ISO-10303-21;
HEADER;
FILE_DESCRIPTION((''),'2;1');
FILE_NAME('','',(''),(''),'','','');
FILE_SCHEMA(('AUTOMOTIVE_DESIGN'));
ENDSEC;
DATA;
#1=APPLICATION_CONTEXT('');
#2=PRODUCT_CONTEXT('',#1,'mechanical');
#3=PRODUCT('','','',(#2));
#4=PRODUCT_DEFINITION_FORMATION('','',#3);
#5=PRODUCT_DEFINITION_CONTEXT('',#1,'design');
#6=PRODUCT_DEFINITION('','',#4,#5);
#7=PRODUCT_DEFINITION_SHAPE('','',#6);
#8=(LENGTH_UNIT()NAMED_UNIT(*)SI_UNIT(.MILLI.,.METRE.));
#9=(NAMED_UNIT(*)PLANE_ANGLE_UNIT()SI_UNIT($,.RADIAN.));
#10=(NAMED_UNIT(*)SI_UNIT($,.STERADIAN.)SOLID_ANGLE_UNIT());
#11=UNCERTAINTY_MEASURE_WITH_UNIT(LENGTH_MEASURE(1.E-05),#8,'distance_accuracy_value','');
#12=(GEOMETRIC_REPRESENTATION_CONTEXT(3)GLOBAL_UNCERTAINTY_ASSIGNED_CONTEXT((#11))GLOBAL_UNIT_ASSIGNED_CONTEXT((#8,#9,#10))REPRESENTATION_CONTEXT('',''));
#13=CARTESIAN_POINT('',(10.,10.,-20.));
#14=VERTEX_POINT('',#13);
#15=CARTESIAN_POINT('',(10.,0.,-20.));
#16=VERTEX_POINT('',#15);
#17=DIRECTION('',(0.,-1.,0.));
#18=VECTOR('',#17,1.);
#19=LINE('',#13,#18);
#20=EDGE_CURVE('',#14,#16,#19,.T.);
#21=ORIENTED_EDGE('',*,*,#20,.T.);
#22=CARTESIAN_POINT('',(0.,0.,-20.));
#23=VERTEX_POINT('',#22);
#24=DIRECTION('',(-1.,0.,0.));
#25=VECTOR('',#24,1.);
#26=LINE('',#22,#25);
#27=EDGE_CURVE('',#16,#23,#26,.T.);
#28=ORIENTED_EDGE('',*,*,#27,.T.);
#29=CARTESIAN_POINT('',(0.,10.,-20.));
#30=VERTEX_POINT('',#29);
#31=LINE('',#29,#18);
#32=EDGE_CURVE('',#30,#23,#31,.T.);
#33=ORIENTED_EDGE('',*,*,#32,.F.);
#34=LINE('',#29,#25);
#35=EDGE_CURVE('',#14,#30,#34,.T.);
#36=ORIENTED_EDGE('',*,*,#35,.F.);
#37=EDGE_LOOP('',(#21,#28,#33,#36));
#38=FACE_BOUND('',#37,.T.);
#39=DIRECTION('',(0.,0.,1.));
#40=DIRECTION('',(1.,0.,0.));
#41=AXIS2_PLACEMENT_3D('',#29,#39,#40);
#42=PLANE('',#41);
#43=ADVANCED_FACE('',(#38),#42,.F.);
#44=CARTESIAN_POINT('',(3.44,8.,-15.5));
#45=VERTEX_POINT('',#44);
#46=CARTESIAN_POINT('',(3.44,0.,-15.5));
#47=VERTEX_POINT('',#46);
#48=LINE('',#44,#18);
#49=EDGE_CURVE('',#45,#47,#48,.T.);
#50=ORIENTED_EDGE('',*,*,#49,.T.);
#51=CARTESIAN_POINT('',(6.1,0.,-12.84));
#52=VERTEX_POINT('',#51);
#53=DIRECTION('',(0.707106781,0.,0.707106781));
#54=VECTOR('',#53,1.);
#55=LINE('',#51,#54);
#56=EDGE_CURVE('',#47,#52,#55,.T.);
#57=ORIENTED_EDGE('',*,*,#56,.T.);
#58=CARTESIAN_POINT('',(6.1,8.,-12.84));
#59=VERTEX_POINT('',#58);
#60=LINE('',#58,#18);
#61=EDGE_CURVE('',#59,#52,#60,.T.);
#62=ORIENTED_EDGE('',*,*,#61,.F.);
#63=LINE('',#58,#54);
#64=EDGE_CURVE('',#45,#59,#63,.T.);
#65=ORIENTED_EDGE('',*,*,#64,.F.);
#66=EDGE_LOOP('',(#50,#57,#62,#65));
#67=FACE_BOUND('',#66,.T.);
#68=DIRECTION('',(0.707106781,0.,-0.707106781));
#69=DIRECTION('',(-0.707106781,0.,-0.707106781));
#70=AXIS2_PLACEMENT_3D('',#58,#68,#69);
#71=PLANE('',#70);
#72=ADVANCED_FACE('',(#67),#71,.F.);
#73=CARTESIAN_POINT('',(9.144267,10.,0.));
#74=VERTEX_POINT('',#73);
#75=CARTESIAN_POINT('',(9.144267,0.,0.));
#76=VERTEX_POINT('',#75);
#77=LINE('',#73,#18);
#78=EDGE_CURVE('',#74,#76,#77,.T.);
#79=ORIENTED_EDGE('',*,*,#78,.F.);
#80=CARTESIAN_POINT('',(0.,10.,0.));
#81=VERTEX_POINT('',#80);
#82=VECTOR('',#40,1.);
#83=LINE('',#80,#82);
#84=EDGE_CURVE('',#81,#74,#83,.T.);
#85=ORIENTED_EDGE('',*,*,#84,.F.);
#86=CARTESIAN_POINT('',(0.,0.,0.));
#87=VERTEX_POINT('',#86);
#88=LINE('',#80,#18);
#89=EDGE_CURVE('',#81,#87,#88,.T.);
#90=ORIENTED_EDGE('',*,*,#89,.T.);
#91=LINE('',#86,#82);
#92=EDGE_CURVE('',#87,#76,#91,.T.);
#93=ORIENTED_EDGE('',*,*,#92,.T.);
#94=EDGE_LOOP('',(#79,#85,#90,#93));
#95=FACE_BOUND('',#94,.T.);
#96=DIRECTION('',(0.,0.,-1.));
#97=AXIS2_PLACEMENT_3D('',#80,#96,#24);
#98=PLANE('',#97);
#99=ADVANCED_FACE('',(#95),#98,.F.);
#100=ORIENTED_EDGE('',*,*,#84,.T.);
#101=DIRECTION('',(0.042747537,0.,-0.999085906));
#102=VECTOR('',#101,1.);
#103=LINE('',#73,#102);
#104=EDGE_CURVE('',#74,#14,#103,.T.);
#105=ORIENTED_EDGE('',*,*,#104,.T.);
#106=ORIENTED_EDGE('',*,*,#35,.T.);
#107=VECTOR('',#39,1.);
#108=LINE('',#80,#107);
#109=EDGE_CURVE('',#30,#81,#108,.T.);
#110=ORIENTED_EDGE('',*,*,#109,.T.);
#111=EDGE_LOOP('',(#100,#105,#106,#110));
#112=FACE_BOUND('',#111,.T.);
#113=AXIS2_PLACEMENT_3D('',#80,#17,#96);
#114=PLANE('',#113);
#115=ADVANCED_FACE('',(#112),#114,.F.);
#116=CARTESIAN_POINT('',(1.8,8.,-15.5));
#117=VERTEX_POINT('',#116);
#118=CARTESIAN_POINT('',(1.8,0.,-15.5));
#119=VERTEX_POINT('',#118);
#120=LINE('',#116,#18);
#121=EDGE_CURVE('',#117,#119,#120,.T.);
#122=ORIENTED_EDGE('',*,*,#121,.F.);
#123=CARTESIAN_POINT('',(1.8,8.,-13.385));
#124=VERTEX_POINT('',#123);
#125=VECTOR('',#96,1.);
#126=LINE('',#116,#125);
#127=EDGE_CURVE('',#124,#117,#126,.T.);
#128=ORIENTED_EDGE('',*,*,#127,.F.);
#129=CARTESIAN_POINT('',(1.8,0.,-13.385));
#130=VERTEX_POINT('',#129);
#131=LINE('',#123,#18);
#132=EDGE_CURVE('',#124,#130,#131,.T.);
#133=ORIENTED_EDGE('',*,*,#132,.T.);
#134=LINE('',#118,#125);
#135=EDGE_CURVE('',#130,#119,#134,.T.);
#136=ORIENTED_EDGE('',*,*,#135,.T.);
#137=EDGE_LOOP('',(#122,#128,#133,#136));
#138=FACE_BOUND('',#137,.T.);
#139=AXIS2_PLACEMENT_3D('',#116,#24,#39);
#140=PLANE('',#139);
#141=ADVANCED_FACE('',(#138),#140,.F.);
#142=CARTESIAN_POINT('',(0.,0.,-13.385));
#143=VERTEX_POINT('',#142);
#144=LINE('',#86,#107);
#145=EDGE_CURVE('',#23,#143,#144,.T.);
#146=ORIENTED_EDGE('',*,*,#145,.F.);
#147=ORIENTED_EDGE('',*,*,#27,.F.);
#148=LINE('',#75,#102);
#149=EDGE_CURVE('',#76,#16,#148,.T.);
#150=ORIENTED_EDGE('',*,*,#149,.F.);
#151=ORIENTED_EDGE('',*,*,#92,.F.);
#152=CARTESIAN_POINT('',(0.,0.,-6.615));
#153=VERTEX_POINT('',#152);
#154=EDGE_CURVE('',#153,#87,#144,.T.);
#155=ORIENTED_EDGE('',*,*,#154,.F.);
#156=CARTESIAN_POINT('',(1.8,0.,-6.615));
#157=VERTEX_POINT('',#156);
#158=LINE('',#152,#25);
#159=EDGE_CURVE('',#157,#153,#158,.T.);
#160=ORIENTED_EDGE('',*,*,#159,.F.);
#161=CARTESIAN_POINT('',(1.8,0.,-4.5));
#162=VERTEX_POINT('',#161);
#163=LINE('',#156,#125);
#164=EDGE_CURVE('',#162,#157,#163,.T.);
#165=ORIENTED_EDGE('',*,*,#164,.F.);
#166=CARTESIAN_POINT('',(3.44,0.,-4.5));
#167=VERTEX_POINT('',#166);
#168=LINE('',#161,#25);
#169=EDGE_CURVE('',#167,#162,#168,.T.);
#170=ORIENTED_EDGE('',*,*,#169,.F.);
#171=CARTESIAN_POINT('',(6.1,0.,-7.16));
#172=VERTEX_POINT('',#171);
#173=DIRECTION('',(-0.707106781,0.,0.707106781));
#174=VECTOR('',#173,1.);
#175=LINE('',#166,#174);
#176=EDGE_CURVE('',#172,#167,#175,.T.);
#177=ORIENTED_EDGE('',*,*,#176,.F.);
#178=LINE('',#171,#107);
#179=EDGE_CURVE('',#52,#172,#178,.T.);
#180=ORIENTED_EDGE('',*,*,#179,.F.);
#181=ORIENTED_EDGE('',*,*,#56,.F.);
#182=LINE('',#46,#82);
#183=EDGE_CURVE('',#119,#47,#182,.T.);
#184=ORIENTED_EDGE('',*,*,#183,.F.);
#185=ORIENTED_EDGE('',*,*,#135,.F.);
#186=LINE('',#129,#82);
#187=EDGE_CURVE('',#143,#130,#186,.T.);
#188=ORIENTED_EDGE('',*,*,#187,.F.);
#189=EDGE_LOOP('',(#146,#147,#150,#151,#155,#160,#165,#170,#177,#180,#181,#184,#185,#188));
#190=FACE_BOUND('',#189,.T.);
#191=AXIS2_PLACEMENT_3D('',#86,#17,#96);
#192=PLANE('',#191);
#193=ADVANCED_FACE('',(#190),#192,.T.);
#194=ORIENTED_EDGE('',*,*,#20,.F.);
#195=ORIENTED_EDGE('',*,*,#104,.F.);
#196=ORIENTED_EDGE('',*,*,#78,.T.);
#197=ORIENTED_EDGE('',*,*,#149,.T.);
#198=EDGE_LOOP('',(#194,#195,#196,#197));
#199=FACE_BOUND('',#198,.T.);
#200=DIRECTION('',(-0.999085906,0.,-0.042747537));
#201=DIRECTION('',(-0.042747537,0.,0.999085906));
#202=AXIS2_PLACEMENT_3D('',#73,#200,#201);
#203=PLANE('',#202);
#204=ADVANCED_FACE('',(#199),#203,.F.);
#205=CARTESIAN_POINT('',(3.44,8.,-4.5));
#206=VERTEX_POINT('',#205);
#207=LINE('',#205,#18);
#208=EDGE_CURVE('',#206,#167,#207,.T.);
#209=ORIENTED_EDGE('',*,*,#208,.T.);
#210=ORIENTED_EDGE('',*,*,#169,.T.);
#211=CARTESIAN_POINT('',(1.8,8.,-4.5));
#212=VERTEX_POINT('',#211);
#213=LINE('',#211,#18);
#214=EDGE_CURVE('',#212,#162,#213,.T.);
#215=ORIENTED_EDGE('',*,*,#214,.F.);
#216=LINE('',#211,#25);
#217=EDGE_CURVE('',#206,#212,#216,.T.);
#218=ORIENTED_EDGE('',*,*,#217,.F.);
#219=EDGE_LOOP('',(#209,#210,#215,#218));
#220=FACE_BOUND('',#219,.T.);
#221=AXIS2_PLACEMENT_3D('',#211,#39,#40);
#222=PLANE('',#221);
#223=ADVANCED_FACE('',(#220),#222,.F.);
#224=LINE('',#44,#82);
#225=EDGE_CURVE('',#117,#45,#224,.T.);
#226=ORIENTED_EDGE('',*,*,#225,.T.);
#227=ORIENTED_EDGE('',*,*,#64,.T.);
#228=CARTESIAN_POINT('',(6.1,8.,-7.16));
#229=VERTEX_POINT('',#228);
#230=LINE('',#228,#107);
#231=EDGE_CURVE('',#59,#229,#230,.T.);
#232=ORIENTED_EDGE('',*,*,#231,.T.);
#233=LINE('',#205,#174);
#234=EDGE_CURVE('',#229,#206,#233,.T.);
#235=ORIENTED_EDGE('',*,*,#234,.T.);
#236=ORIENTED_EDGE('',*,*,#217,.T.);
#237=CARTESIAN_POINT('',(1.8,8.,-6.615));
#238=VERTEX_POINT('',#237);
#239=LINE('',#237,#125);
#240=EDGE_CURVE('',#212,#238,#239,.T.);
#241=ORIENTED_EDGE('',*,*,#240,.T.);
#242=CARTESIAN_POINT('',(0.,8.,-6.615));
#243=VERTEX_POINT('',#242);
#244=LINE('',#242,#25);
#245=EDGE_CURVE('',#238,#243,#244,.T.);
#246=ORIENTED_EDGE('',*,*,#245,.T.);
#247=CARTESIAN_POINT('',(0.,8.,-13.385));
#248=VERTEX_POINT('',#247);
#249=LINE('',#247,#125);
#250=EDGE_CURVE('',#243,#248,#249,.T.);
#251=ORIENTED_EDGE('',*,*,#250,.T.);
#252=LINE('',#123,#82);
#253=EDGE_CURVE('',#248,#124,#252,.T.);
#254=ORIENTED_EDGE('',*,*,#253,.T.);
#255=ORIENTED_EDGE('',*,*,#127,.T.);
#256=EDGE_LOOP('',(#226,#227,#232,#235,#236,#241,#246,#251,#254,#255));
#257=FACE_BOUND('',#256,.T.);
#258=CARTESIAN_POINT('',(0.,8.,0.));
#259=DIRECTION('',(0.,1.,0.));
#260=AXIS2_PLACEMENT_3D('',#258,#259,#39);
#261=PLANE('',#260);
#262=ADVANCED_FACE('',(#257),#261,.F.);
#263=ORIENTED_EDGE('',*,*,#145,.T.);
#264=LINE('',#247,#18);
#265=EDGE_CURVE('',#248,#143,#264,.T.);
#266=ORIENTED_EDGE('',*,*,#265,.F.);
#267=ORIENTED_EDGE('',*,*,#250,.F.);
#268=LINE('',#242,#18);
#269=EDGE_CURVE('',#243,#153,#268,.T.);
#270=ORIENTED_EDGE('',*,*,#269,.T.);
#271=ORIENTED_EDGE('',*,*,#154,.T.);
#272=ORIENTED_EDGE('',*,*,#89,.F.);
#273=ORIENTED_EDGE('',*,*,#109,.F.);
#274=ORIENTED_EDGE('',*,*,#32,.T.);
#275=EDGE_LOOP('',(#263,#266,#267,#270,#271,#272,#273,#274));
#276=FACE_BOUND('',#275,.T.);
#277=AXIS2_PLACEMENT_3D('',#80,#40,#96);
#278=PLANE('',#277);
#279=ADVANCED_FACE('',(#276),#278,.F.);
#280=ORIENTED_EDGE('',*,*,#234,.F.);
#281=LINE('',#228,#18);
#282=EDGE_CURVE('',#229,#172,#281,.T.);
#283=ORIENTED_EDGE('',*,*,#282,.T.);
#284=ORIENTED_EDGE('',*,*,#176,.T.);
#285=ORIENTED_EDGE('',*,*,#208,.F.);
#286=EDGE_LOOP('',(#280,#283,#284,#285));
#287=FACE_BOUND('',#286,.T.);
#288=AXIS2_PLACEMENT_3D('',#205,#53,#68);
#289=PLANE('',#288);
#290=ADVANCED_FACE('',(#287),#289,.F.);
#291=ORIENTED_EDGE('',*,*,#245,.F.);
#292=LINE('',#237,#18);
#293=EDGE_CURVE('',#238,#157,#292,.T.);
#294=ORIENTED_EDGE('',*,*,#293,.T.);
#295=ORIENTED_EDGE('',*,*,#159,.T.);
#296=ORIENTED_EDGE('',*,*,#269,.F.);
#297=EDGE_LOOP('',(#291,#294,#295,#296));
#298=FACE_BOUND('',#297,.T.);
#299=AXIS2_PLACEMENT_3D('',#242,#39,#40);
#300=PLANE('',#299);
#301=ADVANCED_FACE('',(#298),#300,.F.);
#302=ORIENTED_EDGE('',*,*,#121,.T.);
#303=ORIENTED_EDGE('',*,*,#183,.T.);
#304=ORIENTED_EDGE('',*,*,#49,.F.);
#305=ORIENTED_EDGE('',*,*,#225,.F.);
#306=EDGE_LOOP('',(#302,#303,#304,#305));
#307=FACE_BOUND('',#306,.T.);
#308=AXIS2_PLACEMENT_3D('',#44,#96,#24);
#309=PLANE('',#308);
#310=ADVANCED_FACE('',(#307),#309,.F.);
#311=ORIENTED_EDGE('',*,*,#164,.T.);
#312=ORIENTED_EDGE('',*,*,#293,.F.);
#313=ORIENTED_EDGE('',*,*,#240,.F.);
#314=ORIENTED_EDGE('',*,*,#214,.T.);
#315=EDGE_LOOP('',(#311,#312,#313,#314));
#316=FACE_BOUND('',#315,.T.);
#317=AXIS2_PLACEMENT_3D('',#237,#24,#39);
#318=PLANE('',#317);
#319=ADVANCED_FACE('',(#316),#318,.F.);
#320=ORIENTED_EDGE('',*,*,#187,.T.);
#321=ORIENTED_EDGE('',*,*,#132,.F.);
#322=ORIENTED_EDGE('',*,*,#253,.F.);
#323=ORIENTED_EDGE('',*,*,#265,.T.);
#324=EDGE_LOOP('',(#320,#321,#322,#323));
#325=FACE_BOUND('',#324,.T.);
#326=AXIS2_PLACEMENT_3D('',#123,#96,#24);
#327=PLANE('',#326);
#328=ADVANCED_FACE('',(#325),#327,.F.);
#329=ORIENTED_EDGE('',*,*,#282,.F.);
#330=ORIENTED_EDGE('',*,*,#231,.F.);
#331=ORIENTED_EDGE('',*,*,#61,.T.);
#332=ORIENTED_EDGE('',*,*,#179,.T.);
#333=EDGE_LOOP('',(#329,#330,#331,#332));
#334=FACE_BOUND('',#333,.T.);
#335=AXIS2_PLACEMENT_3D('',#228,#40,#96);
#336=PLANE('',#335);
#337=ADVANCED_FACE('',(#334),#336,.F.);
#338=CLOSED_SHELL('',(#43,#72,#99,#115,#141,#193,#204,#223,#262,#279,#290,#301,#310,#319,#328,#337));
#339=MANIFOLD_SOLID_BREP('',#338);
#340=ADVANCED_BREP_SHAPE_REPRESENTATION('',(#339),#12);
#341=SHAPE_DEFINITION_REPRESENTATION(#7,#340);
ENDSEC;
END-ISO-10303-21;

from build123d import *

# Parameters (mm, degrees)
SKETCH4_W           = 10
SKETCH4_H           = 20
BOSS_EXTRUDE1_DEPTH = 10
CUT_EXTRUDE1_DEPTH  = 8
CUT_EXTRUDE2_DEPTH  = 25.494897428


with BuildPart() as part:
    # Sketch4 → Boss-Extrude1 (new body)
    with BuildSketch(Plane(origin=(0, 0, 0), x_dir=(1, 0, 0), z_dir=(0, 1, 0))):
        with Locations((5, 10)):
            Rectangle(SKETCH4_W, SKETCH4_H)
    extrude(amount=BOSS_EXTRUDE1_DEPTH)

    # Sketch2 → Cut-Extrude1 (cut)
    with BuildSketch(Plane(origin=(0, 0, 0), x_dir=(-1, 0, 0), z_dir=(0, -1, 0))):
        Polygon((0, 6.615), (-1.8, 6.615), (-1.8, 4.5), (-3.44, 4.5), (-6.1, 7.16), (-6.1, 12.84), (-3.44, 15.5), (-1.8, 15.5), (-1.8, 13.385), (0, 13.385), align=None)
    extrude(amount=-CUT_EXTRUDE1_DEPTH, mode=Mode.SUBTRACT)

    # Sketch6 → Cut-Extrude2 (cut, through all)
    with BuildSketch(Plane.XZ):
        Polygon((10, 0), (9.144267043, 0), (10, -20), align=None)
    extrude(amount=-CUT_EXTRUDE2_DEPTH, mode=Mode.SUBTRACT)


solid = part.part
